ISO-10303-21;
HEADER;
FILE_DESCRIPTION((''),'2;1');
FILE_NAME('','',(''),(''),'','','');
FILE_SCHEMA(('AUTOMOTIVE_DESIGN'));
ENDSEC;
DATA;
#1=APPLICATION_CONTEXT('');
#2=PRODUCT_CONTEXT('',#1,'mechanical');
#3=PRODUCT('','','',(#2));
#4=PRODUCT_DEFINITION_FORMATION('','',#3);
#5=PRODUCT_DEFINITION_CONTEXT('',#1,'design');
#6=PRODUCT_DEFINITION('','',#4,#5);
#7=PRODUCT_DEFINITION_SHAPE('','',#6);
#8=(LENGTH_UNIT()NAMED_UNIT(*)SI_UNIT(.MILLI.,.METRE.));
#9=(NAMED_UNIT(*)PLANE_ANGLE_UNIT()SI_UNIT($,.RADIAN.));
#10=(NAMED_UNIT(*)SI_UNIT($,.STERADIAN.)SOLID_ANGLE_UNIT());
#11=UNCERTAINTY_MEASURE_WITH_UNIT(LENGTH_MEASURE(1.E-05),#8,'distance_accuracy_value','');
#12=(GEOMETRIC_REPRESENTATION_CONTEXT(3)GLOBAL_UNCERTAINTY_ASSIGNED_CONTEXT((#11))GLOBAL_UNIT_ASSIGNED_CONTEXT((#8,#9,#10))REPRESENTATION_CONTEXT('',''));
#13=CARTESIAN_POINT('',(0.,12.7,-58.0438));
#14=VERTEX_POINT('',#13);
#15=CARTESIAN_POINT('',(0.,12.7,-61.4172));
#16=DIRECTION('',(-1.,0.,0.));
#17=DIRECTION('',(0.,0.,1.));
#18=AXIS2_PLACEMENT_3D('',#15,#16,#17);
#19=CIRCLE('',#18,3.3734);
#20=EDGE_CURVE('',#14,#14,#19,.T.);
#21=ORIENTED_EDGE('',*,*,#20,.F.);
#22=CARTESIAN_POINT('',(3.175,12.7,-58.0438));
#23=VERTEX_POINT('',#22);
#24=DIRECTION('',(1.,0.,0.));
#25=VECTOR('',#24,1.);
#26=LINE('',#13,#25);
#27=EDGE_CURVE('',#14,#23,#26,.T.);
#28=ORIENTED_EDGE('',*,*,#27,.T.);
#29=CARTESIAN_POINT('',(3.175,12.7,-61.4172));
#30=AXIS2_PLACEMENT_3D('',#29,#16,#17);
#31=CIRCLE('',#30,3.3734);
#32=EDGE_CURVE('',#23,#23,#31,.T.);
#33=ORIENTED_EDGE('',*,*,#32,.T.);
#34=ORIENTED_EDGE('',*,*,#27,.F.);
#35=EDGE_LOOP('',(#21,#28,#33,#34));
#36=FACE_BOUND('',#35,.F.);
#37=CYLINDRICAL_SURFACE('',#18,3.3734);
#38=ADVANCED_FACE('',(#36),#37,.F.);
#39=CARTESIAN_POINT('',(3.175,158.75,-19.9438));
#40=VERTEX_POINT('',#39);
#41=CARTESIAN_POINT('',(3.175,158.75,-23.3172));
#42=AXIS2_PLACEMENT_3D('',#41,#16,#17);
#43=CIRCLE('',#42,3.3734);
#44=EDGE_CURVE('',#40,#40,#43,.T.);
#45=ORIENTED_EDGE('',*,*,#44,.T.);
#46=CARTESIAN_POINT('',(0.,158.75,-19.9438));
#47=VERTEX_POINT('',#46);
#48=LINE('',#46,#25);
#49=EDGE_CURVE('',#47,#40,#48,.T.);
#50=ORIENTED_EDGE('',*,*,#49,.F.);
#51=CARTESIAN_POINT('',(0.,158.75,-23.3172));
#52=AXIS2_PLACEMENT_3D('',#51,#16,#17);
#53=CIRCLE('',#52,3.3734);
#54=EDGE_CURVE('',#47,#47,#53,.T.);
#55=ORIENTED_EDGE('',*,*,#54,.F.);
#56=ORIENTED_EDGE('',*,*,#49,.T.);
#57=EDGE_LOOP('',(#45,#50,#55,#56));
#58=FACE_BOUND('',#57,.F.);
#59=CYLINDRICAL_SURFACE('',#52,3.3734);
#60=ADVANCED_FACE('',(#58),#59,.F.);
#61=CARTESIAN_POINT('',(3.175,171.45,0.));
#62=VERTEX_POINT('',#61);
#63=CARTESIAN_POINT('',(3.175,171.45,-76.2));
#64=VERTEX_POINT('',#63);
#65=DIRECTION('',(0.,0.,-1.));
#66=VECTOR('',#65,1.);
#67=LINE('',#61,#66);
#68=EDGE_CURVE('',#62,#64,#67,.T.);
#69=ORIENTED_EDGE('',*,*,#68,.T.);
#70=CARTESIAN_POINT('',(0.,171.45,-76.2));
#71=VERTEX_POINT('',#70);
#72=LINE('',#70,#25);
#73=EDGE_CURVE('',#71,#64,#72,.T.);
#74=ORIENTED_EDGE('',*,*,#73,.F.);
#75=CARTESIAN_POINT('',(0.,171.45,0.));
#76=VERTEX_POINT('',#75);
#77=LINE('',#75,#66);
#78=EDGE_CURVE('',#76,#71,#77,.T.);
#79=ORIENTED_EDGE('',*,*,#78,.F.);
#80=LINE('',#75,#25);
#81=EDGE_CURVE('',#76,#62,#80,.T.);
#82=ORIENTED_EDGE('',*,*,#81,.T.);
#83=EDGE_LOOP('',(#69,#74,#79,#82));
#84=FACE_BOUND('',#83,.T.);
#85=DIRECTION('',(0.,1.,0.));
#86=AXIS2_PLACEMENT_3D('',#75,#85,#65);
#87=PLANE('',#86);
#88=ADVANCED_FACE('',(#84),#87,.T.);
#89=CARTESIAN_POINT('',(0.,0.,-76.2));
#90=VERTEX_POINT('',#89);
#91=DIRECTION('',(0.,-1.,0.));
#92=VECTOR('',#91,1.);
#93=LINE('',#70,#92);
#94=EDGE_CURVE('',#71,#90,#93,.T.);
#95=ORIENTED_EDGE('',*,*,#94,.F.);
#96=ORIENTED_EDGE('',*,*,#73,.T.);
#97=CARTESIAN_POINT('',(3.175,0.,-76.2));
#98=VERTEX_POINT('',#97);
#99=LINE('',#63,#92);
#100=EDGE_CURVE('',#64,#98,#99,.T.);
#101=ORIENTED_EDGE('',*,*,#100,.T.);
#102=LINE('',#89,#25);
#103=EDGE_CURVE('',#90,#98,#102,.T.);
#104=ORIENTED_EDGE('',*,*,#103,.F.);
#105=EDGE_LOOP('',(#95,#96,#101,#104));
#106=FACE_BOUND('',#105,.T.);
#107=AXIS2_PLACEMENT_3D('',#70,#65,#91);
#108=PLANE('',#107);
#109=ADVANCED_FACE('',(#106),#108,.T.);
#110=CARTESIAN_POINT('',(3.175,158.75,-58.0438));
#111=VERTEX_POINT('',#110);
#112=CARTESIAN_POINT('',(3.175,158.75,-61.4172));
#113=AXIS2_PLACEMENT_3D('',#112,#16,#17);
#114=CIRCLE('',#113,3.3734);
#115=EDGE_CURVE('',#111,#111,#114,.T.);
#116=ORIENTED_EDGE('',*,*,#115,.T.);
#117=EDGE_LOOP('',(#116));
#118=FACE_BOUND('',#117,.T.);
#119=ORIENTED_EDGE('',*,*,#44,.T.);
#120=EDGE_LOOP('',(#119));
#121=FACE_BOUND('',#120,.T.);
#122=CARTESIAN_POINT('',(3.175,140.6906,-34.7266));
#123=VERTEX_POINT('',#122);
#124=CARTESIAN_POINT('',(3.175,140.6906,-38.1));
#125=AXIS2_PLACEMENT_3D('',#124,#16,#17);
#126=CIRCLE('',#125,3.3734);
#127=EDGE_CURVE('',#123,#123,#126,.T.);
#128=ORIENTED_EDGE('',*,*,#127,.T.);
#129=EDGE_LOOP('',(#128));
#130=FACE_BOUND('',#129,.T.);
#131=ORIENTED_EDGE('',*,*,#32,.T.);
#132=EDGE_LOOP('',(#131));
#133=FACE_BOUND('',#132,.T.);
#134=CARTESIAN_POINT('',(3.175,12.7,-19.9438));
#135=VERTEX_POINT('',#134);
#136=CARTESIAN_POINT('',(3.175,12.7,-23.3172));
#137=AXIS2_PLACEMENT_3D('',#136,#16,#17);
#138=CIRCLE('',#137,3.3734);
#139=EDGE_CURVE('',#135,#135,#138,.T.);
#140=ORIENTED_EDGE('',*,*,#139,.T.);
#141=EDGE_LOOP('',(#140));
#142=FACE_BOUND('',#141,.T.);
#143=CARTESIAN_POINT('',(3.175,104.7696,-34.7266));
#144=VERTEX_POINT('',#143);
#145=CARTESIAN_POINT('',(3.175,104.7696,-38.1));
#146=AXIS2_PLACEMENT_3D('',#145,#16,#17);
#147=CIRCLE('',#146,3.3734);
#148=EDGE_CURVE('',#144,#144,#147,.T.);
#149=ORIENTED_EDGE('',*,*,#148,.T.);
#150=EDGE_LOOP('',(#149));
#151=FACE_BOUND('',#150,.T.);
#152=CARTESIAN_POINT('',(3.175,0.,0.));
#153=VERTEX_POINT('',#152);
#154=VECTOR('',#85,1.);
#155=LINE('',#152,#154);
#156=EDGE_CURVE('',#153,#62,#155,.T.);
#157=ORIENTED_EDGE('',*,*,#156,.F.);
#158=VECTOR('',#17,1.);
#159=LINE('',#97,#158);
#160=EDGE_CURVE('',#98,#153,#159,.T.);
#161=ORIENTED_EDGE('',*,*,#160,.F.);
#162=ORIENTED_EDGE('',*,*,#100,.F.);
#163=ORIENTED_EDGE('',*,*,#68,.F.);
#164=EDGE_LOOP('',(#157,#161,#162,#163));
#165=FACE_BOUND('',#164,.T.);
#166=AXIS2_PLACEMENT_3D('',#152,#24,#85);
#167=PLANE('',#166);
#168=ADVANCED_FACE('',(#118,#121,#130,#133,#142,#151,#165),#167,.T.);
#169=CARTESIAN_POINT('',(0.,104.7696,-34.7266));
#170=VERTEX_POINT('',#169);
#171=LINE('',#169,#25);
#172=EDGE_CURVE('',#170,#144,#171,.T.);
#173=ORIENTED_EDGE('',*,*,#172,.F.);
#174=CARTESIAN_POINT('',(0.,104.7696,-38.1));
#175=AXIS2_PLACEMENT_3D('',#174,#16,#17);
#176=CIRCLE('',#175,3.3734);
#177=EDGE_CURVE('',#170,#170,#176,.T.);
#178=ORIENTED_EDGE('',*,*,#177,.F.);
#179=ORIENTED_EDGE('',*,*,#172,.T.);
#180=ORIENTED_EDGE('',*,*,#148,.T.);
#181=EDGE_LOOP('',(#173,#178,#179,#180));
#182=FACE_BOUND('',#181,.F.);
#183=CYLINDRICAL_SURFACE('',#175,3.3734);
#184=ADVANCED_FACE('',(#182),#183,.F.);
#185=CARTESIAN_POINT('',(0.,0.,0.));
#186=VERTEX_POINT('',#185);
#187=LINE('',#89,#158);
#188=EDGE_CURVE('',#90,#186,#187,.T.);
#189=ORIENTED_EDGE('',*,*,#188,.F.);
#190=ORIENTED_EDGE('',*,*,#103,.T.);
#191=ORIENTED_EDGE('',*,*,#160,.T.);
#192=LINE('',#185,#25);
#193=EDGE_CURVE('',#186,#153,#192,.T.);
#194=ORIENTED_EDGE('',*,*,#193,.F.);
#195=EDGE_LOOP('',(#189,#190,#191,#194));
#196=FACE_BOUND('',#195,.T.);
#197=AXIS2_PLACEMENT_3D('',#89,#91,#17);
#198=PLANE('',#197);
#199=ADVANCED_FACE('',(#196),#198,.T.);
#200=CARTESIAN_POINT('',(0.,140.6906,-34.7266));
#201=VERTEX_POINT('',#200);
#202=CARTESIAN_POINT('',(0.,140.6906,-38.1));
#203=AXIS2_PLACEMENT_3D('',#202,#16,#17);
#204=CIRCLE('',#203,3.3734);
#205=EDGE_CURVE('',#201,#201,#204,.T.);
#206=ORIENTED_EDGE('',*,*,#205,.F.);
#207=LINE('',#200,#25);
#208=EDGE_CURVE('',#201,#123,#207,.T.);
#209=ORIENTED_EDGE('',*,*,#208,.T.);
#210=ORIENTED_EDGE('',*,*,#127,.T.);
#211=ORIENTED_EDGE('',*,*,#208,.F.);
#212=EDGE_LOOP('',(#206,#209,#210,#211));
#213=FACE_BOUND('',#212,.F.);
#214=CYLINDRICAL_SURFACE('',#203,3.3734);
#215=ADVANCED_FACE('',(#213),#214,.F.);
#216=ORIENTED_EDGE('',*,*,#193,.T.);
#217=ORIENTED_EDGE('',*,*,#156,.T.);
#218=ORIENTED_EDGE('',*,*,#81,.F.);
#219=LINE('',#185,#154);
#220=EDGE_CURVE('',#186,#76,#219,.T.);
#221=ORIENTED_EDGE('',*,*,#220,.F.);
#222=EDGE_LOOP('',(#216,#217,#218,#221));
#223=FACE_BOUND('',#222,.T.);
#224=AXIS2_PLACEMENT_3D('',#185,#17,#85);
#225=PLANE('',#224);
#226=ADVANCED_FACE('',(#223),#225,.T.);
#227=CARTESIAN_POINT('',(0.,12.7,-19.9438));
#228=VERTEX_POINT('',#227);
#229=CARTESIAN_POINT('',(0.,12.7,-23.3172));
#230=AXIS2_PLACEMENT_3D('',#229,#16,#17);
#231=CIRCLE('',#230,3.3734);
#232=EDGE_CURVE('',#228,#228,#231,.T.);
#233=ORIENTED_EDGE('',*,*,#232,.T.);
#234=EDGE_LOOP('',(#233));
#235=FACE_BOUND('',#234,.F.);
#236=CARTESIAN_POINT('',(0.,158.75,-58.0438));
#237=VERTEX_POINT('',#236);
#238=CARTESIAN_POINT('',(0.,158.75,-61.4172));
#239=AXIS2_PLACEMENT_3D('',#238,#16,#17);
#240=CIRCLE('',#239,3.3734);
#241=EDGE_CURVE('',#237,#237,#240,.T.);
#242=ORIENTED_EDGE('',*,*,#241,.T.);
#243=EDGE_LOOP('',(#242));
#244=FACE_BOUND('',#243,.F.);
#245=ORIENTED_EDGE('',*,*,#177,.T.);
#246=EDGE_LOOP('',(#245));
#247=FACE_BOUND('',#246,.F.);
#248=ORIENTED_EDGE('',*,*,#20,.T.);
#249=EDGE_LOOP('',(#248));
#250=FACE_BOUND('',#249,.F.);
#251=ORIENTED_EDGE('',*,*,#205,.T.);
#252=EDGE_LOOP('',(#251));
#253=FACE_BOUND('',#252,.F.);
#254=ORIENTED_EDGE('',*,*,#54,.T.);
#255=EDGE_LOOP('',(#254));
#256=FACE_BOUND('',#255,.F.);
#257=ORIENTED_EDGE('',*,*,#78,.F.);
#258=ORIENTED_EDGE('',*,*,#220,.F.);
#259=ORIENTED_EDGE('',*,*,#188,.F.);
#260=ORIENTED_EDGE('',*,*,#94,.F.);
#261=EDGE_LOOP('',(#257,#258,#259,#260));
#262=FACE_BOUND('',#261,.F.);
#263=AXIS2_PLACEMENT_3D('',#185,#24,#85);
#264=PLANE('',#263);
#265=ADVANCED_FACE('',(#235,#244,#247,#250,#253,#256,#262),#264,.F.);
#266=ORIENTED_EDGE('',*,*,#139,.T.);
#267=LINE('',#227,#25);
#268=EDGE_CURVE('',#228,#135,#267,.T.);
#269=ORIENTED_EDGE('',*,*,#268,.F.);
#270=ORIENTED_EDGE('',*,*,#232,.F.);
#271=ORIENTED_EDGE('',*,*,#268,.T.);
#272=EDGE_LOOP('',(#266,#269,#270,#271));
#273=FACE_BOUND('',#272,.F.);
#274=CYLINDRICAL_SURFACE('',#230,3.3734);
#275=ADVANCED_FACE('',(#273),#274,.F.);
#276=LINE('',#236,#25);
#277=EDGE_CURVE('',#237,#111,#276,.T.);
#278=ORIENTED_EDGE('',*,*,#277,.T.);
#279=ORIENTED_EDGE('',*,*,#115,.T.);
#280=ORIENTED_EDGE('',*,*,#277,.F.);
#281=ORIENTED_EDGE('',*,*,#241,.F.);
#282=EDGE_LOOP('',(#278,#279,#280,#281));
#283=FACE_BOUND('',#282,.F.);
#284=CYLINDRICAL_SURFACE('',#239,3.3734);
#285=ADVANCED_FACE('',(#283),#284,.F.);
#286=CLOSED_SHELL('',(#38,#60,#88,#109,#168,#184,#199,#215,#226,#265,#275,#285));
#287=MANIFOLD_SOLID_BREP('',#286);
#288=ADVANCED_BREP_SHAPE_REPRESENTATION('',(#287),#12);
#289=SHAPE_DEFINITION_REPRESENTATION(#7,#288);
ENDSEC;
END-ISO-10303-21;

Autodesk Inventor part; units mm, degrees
ref_plane "YZ Plane" through (0, 0, 0) normal (1, 0, 0) x (0, 1, 0)
ref_plane "XZ Plane" through (0, 0, 0) normal (0, 1, 0) x (-1, 0, 0)
ref_plane "XY Plane" through (0, 0, 0) normal (0, 0, 1) x (1, 0, 0)
sketch "Sketch1" plane through (0, 0, 0) normal (1, 0, 0) x (0, 1, 0)
  line L0 (0, 0) -> (171.45, 0)
  line L1 (171.45, 0) -> (171.45, -76.2)
  line L2 (171.45, -76.2) -> (0, -76.2)
  line L3 (0, -76.2) -> (0, 0)
  dimension "d0" = 171.45
  dimension "d1" = 76.2
extrude "Extrusion1" add sketch "Sketch1" along normal blind 3.175
sketch "Sketch2" plane through (0, 0, 0) normal (-1, 0, 0) x (0, 0, 1)
  circle A0 centre (-38.1, 140.6906) radius 3.3734
  line L0 (0, 171.45) -> (-76.2, 171.45) projected
  line L1 (0, 0) -> (0, 171.45) projected
  circle A1 centre (-38.1, 104.7696) radius 3.3734
  circle A2 centre (-61.4172, 12.7) radius 3.3734
  line L2 (-76.2, 171.45) -> (-76.2, 0) projected
  line L3 (0, 0) -> (-76.2, 0) projected
  circle A3 centre (-23.3172, 12.7) radius 3.3734
  circle A4 centre (-23.3172, 158.75) radius 3.3734
  circle A5 centre (-61.4172, 158.75) radius 3.3734
  dimension "d4" = 6.7469
  dimension "d5" = 30.7594
  dimension "d6" = 38.1
  dimension "d7" = 6.7469
  dimension "d8" = 38.1
  dimension "d9" = 35.921
  dimension "d12" = 6.7469
  dimension "d13" = 14.7828
  dimension "d14" = 12.7
  dimension "d15" = 6.7469
  dimension "d16" = 38.1
  dimension "d17" = 12.7
  dimension "d18" = 14.7828
  dimension "d19" = 38.1
  dimension "d20" = 12.7
  dimension "d21" = 12.7
extrude "Extrusion2" cut sketch "Sketch2" against normal blind 3.175 contours A0 | A1 | A2 | A3 | A4 | A5
properties part number "plate"
